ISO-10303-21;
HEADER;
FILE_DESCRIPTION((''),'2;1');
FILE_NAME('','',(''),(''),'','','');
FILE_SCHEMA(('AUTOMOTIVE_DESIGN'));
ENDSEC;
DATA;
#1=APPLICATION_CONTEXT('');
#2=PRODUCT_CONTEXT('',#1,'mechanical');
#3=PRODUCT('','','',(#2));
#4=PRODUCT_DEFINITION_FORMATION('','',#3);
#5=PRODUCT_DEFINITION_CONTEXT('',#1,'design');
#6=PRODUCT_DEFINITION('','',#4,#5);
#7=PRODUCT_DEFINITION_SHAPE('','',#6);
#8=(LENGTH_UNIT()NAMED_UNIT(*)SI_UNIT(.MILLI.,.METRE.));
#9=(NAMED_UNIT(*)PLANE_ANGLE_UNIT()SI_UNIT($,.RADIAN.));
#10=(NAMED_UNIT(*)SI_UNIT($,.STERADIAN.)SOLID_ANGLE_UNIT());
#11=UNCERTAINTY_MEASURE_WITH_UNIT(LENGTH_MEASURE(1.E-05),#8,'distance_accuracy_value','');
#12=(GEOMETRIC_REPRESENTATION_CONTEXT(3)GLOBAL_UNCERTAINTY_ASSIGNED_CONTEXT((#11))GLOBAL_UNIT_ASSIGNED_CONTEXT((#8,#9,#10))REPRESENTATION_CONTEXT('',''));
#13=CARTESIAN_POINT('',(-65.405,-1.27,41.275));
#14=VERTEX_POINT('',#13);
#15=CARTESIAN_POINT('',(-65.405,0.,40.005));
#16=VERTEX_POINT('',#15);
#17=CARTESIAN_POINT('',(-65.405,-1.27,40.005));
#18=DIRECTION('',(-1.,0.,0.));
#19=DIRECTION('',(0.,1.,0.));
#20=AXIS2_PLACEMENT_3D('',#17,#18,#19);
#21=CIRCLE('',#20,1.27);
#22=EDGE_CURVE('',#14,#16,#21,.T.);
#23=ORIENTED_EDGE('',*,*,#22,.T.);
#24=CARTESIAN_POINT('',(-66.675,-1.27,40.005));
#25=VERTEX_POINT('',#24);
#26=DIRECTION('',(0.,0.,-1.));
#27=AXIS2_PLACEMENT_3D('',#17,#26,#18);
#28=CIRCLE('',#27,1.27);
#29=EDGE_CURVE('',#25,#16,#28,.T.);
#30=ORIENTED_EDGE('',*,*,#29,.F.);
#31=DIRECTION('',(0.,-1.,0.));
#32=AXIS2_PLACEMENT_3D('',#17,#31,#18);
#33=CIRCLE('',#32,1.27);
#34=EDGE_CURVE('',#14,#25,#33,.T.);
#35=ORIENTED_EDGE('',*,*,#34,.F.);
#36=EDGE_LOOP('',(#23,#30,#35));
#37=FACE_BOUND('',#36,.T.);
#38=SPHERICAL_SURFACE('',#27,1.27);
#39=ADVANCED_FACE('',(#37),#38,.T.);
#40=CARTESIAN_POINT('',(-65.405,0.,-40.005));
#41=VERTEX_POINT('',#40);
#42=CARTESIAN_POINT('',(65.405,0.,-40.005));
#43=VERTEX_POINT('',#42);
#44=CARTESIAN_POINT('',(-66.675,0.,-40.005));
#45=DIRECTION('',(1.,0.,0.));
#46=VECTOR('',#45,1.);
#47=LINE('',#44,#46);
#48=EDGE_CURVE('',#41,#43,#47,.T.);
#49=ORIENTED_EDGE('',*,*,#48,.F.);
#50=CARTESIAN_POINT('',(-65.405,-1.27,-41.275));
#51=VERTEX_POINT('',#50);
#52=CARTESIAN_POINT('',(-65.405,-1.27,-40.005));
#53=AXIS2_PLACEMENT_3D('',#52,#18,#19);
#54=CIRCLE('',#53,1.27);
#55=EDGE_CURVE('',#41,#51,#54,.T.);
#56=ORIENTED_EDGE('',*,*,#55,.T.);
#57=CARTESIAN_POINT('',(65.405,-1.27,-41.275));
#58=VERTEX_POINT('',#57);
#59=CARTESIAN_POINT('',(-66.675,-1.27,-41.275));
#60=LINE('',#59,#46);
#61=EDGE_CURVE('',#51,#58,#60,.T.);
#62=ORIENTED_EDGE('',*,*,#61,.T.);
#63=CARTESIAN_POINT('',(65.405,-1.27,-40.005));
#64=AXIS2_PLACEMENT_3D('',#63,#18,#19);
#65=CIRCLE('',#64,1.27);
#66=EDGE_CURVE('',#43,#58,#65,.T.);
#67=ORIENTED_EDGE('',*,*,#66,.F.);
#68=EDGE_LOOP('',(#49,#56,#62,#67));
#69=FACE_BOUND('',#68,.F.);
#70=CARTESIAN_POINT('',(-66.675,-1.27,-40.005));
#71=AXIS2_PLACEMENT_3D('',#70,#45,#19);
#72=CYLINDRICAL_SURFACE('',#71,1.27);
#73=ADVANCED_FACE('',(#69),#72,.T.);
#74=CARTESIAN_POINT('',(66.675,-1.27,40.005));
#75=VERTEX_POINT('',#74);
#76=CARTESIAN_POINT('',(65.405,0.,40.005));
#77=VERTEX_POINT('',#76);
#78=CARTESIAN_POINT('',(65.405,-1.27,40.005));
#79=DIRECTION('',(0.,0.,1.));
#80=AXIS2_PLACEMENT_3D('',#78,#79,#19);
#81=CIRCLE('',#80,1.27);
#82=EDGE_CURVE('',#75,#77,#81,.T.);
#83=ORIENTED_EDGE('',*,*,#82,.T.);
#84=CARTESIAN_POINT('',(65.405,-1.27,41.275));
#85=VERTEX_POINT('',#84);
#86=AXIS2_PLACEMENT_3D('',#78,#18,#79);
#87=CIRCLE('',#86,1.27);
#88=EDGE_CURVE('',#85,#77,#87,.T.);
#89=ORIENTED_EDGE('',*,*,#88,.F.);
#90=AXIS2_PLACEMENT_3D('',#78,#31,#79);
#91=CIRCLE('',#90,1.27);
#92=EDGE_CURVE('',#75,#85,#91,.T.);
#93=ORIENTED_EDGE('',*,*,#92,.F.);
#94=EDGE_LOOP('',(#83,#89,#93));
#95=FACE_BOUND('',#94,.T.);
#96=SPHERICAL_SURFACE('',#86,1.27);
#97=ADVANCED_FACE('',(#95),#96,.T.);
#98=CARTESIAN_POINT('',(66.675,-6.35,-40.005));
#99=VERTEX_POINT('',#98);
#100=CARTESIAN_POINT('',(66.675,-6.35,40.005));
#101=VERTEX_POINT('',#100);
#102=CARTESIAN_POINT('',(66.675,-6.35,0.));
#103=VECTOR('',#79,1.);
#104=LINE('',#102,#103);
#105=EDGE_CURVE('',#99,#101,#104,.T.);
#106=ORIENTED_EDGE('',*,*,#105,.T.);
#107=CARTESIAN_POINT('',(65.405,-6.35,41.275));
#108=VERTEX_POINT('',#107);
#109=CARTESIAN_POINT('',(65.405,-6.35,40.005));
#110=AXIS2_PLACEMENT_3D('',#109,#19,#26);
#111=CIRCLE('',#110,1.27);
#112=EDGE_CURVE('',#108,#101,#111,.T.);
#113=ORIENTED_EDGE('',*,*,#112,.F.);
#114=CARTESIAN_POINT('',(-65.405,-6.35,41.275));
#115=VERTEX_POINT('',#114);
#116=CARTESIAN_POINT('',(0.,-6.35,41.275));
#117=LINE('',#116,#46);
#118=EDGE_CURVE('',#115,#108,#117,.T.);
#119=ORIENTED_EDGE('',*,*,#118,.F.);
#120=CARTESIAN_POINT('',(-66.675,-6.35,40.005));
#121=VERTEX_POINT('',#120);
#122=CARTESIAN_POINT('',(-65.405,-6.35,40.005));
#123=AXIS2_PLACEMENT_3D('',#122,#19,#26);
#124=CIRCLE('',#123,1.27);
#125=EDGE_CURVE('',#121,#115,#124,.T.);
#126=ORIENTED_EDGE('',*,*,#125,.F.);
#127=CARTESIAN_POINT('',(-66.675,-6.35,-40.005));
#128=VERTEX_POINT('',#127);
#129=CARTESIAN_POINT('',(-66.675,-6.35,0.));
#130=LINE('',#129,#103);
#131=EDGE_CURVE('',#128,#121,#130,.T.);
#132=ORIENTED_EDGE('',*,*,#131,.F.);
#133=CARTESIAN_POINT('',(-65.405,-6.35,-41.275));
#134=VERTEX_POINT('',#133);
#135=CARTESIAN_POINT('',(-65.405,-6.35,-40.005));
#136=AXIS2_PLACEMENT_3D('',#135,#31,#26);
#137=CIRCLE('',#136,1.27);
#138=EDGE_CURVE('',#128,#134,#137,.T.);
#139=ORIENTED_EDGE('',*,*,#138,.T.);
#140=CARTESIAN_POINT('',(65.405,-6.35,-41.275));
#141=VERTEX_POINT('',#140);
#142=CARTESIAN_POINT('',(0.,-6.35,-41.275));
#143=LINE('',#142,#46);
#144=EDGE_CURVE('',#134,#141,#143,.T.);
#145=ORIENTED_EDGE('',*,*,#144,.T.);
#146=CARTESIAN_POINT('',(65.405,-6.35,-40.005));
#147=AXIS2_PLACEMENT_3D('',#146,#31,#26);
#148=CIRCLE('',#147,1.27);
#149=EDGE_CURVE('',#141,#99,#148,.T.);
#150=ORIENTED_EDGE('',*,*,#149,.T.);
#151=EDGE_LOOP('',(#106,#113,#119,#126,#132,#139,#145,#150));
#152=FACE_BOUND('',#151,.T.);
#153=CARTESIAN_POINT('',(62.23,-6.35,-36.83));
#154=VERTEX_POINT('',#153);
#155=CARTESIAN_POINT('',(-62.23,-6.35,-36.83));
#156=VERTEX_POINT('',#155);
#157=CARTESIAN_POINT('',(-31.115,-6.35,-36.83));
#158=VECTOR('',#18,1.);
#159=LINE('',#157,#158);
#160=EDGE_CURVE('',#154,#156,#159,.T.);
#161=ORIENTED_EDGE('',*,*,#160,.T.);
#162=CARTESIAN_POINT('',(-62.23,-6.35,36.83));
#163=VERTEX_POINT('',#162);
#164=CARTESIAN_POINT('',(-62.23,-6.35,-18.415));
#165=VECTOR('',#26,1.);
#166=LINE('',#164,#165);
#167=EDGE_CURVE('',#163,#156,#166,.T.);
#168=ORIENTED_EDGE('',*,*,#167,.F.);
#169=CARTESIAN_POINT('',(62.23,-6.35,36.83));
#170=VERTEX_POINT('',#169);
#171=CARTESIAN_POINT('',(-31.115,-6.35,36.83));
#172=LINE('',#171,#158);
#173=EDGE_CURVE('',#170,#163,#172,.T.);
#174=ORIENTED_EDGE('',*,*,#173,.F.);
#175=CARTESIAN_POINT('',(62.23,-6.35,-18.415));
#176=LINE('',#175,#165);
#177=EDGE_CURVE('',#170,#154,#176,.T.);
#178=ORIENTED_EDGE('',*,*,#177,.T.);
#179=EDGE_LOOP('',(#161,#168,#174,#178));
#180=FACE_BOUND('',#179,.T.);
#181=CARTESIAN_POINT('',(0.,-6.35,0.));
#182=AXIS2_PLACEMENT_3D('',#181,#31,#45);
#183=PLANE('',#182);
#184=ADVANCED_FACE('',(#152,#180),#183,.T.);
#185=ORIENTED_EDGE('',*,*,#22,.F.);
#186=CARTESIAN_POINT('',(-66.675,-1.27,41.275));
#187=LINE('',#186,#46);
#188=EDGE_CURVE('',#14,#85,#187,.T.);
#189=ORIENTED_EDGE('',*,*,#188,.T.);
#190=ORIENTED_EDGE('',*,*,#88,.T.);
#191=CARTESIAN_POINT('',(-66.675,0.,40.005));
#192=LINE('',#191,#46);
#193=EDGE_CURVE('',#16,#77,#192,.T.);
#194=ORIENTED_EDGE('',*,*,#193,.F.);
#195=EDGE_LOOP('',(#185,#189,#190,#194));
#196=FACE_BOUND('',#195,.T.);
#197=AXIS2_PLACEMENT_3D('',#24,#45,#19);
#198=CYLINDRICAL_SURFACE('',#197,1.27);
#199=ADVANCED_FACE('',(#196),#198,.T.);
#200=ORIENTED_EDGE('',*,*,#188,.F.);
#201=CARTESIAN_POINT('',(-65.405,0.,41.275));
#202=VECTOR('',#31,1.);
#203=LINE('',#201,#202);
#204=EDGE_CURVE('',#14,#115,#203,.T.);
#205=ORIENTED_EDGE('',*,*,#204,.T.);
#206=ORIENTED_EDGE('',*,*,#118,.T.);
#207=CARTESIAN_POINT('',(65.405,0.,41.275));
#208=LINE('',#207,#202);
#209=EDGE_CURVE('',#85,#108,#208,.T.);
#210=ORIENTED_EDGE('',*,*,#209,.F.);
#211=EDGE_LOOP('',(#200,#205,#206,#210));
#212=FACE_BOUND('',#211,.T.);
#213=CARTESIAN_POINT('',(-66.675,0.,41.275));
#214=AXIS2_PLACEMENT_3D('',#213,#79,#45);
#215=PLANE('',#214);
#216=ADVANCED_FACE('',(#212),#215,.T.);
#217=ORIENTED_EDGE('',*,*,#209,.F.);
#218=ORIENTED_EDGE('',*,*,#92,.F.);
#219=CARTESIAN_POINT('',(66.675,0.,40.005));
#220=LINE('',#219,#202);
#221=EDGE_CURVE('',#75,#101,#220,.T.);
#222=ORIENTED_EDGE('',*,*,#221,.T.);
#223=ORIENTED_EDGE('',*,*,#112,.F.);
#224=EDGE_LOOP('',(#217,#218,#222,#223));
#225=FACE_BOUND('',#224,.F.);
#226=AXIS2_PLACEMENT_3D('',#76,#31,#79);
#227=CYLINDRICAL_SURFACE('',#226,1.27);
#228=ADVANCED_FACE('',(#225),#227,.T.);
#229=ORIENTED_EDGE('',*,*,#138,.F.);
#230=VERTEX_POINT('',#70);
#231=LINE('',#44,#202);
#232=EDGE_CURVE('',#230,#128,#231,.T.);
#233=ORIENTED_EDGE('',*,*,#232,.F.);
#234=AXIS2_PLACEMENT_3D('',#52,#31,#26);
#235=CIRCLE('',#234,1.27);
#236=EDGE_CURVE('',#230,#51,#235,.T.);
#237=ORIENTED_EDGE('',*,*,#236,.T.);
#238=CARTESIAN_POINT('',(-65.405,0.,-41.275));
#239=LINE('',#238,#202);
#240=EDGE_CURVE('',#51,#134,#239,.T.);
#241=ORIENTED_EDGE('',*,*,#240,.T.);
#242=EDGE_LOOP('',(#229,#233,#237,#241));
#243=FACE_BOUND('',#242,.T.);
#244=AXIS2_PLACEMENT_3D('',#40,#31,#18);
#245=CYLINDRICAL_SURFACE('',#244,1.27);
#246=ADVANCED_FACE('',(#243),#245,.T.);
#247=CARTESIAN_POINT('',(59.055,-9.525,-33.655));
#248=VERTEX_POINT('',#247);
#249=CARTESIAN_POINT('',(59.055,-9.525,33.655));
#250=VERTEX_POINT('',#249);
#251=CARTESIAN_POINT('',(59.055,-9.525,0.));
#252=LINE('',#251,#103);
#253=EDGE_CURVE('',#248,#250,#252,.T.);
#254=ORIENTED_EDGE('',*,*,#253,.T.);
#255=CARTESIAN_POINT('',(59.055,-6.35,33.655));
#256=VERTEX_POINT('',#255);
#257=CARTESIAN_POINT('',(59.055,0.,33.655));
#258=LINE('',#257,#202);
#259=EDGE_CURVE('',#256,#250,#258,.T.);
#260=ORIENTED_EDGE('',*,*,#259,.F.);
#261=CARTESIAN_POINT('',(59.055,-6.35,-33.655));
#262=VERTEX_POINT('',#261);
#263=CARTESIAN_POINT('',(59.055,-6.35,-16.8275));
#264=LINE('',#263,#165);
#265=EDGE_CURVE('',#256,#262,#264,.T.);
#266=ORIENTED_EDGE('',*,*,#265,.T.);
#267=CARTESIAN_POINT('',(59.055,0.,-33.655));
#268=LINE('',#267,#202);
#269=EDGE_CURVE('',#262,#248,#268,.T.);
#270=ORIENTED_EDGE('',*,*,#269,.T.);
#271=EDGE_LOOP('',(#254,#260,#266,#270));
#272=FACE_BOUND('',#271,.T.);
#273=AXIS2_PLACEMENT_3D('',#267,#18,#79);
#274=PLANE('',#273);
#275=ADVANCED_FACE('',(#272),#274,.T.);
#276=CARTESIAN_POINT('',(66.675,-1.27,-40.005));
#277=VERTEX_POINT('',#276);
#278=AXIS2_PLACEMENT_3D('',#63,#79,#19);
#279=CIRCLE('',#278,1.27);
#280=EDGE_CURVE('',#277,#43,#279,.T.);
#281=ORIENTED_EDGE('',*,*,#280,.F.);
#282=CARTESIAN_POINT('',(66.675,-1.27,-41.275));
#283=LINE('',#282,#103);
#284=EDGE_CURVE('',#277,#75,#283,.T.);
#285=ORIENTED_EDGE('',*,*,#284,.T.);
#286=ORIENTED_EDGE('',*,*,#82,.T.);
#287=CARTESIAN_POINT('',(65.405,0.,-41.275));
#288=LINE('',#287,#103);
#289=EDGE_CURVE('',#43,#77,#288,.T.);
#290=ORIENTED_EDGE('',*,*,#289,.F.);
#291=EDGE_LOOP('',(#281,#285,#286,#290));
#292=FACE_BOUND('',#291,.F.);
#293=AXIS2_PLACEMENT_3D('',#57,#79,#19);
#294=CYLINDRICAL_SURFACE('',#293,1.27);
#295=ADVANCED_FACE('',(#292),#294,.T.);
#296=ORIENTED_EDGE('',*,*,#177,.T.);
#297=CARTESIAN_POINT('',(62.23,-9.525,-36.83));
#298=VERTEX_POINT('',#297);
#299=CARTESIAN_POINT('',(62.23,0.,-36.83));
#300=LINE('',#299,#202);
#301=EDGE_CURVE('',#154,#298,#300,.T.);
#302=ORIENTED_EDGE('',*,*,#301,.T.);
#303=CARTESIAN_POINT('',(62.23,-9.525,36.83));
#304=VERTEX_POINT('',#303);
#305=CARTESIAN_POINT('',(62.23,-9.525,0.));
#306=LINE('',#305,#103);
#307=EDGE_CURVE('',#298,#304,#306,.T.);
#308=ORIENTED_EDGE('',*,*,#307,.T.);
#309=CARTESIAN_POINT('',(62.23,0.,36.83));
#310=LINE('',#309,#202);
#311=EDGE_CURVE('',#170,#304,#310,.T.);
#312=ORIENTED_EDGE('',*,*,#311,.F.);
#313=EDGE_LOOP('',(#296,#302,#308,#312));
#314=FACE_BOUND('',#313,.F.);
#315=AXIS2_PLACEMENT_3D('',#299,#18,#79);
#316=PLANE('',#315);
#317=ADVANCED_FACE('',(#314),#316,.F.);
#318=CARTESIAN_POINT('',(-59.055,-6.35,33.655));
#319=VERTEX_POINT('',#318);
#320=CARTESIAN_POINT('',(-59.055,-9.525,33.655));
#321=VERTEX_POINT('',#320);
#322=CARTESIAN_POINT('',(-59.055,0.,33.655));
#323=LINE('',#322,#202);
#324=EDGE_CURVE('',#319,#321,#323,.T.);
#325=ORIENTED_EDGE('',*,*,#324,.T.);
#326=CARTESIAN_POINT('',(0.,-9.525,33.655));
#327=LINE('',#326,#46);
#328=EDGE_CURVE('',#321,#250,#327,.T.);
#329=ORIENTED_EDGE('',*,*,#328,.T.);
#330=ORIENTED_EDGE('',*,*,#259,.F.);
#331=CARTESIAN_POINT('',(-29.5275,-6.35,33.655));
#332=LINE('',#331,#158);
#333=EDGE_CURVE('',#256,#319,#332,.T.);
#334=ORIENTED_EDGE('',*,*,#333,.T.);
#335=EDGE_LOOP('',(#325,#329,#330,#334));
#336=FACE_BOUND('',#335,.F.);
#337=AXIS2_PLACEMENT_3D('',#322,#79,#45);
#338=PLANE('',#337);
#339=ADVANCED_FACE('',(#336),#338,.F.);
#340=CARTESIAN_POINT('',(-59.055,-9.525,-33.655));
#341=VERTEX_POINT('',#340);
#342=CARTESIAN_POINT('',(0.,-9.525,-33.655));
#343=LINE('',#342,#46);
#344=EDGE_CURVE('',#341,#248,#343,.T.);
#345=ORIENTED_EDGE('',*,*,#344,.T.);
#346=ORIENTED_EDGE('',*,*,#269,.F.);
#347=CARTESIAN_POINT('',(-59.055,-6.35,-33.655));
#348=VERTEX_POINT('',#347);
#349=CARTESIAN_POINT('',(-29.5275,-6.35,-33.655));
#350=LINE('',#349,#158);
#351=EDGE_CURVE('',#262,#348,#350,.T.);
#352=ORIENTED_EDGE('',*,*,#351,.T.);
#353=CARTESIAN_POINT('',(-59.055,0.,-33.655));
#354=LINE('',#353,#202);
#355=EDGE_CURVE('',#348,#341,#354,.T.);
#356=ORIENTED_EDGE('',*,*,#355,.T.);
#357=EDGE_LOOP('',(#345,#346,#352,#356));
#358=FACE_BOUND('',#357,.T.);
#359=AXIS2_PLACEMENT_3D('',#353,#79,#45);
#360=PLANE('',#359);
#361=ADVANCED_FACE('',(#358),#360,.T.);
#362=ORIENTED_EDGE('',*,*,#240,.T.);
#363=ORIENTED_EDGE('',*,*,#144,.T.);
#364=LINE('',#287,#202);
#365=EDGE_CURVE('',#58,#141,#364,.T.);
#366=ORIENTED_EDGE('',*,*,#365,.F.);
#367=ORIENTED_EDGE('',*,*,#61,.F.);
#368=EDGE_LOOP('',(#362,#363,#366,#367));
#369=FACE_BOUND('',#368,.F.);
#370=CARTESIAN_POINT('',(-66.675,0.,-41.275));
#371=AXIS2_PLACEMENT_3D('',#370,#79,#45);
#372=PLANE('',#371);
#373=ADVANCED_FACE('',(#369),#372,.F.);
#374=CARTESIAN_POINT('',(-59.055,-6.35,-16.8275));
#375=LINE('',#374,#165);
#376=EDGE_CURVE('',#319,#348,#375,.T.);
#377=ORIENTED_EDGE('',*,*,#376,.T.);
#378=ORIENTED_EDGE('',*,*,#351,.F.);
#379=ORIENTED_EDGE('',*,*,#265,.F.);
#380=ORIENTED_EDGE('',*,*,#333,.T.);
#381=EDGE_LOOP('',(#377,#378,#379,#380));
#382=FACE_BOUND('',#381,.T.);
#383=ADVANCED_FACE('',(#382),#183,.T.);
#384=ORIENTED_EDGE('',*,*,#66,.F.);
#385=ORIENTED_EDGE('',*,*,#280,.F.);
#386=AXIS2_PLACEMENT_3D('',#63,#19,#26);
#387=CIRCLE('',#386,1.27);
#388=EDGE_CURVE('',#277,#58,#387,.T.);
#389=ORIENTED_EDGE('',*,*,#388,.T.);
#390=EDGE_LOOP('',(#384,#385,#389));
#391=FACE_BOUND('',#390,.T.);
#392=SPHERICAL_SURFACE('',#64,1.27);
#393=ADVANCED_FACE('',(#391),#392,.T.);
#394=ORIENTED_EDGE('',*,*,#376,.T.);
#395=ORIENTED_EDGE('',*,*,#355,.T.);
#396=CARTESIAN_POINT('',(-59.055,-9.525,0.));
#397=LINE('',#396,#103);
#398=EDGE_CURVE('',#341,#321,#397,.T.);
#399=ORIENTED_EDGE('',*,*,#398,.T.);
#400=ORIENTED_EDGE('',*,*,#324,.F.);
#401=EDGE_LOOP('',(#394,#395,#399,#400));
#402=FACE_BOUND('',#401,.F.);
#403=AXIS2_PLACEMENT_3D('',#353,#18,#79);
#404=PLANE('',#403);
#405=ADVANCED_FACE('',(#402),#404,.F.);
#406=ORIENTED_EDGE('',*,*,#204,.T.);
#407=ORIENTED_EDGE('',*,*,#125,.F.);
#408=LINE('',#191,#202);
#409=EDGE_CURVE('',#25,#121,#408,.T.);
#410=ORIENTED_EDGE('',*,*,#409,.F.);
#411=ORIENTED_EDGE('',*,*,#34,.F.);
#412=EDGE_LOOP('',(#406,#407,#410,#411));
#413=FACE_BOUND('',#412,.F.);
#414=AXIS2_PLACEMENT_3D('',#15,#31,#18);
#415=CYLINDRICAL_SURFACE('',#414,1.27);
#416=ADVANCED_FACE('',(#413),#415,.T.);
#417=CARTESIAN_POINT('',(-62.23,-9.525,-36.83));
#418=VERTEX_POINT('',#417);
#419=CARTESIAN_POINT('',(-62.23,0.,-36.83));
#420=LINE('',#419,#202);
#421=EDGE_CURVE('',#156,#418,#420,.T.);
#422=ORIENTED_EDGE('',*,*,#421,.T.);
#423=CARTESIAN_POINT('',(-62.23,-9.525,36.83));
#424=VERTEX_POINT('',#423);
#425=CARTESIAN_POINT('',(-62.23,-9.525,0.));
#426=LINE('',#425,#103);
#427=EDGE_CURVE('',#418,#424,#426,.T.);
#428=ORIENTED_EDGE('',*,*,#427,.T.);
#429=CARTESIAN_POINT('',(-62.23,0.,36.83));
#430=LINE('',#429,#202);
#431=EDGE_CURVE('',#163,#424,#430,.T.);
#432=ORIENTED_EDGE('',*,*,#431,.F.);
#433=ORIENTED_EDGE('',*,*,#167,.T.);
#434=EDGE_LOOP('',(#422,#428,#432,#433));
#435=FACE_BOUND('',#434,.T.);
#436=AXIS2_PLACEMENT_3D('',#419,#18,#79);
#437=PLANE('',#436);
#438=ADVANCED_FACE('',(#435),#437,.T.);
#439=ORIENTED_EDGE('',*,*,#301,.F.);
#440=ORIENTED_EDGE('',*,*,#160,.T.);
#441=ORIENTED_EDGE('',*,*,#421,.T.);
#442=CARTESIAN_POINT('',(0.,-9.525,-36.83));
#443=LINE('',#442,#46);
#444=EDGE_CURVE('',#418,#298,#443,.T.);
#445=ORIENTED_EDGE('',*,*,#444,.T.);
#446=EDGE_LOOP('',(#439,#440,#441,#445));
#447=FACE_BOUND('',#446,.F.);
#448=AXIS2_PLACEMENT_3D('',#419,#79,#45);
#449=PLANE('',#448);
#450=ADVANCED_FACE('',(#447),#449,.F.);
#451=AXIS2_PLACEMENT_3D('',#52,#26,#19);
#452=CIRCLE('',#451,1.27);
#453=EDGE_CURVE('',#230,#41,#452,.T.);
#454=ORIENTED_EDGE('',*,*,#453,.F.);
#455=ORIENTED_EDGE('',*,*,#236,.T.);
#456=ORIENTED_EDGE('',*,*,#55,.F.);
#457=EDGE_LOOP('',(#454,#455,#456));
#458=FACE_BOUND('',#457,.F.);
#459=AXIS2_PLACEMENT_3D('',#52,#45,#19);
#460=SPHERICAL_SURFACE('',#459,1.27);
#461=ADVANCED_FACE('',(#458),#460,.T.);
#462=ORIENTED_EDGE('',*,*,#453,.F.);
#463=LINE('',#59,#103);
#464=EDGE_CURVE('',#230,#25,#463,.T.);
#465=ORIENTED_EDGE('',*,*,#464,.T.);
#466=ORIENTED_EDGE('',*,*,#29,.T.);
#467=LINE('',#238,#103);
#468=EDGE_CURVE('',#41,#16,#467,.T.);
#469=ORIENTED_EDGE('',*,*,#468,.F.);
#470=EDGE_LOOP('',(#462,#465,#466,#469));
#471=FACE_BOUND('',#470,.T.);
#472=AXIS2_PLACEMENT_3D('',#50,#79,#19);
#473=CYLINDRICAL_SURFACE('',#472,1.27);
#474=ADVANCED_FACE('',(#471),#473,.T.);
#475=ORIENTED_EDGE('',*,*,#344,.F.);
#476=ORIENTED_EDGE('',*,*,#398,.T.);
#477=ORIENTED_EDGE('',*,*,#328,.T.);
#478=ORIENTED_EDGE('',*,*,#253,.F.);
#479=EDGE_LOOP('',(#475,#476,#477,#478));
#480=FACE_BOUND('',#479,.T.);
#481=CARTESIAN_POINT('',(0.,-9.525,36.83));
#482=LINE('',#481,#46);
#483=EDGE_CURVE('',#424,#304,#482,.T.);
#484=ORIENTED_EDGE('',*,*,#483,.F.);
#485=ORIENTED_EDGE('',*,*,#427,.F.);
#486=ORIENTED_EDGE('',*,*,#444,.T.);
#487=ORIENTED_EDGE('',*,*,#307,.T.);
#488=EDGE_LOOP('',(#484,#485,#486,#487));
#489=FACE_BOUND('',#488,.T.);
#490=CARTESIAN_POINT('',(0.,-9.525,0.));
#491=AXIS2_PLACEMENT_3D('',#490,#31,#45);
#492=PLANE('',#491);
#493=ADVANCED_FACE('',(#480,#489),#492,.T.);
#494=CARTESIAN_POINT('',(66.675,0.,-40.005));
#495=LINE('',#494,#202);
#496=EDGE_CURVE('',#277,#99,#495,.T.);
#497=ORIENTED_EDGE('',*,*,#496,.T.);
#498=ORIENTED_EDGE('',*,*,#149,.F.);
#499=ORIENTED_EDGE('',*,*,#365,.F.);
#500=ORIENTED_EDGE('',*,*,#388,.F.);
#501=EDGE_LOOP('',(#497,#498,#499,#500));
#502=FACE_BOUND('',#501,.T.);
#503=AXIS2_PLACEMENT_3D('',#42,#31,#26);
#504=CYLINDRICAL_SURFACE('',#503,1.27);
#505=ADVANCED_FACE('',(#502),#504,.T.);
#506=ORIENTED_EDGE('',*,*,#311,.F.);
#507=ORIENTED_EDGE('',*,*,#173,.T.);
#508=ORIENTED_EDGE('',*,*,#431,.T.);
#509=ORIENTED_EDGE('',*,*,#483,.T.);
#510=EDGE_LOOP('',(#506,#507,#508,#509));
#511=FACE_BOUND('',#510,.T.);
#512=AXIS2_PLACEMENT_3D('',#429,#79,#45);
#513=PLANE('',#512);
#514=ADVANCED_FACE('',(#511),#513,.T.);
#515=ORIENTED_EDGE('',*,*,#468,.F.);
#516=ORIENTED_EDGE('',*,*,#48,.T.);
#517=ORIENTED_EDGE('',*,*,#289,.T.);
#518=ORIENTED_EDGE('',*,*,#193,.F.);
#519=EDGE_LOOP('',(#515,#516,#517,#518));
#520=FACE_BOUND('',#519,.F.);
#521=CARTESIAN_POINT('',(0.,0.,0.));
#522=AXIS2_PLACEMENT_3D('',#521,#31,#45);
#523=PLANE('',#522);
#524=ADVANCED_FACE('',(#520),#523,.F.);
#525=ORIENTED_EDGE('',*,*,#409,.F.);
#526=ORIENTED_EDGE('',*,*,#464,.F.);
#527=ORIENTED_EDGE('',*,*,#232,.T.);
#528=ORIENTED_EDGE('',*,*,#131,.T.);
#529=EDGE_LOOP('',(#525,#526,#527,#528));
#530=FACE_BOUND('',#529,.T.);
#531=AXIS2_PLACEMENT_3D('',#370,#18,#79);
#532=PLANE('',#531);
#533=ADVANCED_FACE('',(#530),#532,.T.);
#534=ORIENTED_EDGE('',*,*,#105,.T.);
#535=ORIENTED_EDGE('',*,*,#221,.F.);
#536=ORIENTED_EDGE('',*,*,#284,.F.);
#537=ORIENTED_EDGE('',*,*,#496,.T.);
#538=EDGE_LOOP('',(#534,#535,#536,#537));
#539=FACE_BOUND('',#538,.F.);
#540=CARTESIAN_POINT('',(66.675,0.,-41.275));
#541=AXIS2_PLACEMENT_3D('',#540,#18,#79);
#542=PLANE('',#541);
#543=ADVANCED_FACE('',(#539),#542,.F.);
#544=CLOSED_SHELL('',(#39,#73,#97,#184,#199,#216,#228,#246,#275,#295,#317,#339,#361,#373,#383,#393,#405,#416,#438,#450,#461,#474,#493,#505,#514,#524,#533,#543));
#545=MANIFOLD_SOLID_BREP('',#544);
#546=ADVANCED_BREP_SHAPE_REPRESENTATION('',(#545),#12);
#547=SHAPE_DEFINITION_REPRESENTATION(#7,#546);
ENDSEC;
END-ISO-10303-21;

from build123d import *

# Parameters (mm, degrees)
F0_W     = 133.35
F0_H     = 82.55
F0_W_2   = 124.46
F0_H_2   = 73.66
F0_W_3   = 118.11
F0_H_3   = 67.31
F1_DEPTH = 6.35
F2_DEPTH = 9.525
F3_R     = 1.27


with BuildPart() as f1:
    # F0 (on Front) → F1 (new body)
    with BuildSketch(Plane.XZ):
        Rectangle(F0_W, F0_H)
        Rectangle(F0_W_2, F0_H_2, mode=Mode.SUBTRACT)
        Rectangle(F0_W_2, F0_H_2)
        Rectangle(F0_W_3, F0_H_3, mode=Mode.SUBTRACT)
        Rectangle(F0_W_3, F0_H_3)
    extrude(amount=F1_DEPTH)

    # F0 (on Front) → F2 (join)
    with BuildSketch(Plane.XZ):
        Rectangle(F0_W_2, F0_H_2)
        Rectangle(F0_W_3, F0_H_3, mode=Mode.SUBTRACT)
    extrude(amount=F2_DEPTH)

    # F3
    f3_edges = [f1.edges().sort_by_distance(p)[0] for p in [
        (0, 0, -41.275),
        (-66.675, 0, 0),
        (-66.675, -3.175, -41.275),
        (-66.675, -3.175, 41.275),
        (0, 0, 41.275),
        (66.675, -3.175, 41.275),
        (66.675, 0, 0),
        (66.675, -3.175, -41.275),
    ]]
    fillet(f3_edges, radius=F3_R)


solid = f1.part
